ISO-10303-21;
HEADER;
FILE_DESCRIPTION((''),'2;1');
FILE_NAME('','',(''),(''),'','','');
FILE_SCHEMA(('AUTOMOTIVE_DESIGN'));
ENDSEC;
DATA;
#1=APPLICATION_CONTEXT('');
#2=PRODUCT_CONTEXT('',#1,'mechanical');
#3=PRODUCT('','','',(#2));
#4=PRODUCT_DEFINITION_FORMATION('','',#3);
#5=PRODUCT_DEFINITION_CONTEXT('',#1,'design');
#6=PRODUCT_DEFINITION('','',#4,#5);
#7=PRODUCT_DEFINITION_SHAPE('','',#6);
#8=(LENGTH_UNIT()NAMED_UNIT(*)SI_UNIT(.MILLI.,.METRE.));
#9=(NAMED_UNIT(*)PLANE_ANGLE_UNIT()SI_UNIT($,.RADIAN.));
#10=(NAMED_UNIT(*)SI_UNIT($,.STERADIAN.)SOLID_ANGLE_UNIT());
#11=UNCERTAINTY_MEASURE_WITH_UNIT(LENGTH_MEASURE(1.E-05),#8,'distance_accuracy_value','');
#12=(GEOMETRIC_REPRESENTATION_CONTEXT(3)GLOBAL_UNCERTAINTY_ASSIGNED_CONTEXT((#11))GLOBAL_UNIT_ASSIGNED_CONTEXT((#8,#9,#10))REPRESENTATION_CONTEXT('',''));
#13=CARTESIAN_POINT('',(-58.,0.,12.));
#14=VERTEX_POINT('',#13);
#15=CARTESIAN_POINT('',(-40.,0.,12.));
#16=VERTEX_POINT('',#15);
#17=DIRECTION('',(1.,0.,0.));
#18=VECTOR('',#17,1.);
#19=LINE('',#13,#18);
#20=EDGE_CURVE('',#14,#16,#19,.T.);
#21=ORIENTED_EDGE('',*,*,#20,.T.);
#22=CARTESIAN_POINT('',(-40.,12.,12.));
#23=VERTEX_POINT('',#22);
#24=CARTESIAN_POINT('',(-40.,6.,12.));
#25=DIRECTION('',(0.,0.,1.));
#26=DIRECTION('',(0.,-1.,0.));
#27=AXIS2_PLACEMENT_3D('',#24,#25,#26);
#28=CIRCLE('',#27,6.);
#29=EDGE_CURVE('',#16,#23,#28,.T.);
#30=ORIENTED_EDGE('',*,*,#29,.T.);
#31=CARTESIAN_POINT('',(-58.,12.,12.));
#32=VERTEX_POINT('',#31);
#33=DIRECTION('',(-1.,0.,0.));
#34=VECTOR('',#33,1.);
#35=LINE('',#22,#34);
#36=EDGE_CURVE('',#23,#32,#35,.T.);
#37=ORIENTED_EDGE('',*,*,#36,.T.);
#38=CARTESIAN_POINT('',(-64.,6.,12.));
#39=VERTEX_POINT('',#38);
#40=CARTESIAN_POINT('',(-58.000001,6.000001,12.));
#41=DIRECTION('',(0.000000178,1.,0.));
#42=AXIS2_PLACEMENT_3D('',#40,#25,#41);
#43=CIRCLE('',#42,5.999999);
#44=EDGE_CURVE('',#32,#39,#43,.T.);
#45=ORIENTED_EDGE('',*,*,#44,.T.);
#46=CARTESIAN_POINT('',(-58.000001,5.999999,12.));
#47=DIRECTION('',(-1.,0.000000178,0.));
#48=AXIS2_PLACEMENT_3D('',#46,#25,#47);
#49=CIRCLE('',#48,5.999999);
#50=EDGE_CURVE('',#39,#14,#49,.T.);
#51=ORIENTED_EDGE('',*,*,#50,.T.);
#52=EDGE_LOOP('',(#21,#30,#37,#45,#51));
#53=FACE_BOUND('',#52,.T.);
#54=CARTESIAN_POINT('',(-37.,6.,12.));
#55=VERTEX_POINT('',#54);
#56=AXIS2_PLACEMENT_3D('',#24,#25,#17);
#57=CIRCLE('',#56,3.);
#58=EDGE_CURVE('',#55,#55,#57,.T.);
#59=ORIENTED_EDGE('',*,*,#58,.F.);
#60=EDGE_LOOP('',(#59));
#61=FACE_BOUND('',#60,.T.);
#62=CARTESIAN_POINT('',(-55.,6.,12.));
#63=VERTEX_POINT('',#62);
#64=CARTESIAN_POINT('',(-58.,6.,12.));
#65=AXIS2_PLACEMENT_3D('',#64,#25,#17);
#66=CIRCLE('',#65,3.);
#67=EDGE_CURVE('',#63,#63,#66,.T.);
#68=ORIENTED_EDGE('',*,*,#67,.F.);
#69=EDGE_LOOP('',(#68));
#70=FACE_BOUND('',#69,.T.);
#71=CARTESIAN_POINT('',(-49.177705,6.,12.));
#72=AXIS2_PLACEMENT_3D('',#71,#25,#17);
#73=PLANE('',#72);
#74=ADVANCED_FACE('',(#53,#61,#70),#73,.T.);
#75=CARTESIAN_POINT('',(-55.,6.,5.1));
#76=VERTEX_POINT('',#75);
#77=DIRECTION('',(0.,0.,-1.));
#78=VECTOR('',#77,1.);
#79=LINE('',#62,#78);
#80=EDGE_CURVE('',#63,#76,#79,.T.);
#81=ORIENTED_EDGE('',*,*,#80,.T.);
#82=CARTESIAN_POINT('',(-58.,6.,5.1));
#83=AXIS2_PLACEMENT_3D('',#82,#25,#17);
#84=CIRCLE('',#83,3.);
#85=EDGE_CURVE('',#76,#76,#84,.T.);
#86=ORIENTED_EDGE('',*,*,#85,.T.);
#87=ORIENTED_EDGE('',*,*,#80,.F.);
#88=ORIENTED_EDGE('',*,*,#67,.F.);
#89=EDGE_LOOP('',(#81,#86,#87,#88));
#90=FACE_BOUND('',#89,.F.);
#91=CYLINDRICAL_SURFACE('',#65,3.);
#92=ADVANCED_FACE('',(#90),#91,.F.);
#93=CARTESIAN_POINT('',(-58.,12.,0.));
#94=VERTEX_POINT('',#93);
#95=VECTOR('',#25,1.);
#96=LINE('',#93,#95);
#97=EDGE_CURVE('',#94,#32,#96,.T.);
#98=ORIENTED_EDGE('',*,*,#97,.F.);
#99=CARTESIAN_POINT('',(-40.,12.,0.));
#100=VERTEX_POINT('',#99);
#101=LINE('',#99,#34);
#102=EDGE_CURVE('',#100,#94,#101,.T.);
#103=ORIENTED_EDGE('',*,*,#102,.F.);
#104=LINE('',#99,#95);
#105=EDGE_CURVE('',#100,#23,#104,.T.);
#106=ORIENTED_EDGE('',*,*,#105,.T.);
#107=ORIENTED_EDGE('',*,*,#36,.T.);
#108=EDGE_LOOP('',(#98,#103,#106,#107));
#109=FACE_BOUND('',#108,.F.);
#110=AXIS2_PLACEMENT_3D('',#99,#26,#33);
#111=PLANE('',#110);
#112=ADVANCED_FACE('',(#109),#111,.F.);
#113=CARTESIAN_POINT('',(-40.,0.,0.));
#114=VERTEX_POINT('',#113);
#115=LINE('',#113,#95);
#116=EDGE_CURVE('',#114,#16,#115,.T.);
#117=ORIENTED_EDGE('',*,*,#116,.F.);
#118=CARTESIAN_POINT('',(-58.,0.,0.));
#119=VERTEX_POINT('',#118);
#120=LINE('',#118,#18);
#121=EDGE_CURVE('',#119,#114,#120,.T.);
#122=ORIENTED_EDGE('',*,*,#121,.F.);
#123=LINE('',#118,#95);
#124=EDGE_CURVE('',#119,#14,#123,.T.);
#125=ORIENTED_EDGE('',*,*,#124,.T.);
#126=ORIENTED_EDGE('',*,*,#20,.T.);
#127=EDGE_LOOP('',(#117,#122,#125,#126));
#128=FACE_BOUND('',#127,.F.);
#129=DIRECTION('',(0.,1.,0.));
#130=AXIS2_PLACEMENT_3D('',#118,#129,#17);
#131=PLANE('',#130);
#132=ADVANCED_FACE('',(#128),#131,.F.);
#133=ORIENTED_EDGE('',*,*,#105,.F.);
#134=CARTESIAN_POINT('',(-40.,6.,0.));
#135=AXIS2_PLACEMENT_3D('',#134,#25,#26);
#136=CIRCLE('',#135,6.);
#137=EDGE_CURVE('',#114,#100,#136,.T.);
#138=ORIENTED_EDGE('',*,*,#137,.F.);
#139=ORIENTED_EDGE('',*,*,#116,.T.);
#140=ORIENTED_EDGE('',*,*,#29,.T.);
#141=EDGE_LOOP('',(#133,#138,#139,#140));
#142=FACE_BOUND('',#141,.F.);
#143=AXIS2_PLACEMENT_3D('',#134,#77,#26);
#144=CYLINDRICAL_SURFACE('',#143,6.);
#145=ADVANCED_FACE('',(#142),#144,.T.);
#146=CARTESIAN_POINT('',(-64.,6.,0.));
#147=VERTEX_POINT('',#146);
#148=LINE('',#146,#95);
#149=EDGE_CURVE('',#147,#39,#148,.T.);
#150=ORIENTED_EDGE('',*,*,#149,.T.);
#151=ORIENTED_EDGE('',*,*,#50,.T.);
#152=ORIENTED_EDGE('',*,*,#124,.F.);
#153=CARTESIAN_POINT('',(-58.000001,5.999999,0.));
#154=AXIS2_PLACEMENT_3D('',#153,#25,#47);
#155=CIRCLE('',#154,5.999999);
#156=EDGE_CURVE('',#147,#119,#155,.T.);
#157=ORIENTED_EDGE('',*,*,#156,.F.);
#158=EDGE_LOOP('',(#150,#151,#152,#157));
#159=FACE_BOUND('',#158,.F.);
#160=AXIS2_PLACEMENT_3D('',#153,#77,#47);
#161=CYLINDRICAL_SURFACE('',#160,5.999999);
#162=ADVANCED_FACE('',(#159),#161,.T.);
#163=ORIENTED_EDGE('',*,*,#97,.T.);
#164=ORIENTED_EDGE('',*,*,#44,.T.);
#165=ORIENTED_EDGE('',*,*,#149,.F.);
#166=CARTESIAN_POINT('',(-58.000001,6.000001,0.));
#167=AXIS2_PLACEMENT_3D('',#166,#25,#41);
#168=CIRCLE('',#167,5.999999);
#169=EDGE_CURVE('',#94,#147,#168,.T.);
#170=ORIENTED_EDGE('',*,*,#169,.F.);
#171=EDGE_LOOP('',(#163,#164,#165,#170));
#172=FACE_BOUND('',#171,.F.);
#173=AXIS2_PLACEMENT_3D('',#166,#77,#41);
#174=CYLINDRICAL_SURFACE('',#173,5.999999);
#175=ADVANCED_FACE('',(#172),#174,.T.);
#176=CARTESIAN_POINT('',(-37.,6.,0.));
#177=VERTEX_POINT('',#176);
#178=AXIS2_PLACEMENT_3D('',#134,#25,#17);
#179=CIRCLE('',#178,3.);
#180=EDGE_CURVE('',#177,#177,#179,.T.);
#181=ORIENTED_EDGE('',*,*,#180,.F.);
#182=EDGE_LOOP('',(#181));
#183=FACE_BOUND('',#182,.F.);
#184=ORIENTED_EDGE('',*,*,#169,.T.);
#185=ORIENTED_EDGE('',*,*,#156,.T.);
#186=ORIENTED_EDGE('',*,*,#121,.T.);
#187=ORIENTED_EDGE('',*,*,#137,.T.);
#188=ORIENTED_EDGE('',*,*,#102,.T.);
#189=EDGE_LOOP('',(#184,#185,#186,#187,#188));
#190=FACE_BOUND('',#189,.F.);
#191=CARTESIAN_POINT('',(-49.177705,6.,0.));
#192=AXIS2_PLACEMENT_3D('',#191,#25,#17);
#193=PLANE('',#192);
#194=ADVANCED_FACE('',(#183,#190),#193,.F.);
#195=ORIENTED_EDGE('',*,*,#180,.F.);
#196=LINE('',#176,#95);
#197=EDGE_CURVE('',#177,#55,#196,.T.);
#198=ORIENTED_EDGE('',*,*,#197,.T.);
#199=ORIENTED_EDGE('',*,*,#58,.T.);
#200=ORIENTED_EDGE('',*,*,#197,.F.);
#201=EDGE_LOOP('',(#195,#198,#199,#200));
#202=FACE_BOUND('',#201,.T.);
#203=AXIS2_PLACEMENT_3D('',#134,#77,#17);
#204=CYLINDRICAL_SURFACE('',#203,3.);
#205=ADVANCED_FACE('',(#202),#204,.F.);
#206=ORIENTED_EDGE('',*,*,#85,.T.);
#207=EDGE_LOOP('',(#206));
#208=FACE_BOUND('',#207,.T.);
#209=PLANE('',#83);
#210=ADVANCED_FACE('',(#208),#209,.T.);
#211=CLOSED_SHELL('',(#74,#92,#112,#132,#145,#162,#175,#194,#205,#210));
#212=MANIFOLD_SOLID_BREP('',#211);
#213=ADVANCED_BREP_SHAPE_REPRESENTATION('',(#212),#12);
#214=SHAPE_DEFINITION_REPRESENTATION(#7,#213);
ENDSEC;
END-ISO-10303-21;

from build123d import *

# Parameters (mm, degrees)
F0_R     = 3
F1_DEPTH = 12
F2_R     = 3
F3_DEPTH = 6.9


with BuildPart() as f1:
    # F0 (on Top) → F1 (new body)
    with BuildSketch(Plane.XY):
        with BuildLine():
            Line((-40, 12), (-58, 12))
            ThreePointArc((-58, 12), (-62.242641, 10.242641), (-64, 6))
            ThreePointArc((-64, 6), (-62.242641, 1.757359), (-58, 0))
            Line((-58, 0), (-40, 0))
            ThreePointArc((-40, 0), (-34, 6), (-40, 12))
        make_face()
        with Locations((-40, 6)):
            Circle(F0_R, mode=Mode.SUBTRACT)
    extrude(amount=F1_DEPTH)

    # F2 (on face) → F3 (cut)
    with BuildSketch(Plane.XY.offset(12)):
        with Locations((-58, 6)):
            Circle(F2_R)
    extrude(amount=-F3_DEPTH, mode=Mode.SUBTRACT)


solid = f1.part
